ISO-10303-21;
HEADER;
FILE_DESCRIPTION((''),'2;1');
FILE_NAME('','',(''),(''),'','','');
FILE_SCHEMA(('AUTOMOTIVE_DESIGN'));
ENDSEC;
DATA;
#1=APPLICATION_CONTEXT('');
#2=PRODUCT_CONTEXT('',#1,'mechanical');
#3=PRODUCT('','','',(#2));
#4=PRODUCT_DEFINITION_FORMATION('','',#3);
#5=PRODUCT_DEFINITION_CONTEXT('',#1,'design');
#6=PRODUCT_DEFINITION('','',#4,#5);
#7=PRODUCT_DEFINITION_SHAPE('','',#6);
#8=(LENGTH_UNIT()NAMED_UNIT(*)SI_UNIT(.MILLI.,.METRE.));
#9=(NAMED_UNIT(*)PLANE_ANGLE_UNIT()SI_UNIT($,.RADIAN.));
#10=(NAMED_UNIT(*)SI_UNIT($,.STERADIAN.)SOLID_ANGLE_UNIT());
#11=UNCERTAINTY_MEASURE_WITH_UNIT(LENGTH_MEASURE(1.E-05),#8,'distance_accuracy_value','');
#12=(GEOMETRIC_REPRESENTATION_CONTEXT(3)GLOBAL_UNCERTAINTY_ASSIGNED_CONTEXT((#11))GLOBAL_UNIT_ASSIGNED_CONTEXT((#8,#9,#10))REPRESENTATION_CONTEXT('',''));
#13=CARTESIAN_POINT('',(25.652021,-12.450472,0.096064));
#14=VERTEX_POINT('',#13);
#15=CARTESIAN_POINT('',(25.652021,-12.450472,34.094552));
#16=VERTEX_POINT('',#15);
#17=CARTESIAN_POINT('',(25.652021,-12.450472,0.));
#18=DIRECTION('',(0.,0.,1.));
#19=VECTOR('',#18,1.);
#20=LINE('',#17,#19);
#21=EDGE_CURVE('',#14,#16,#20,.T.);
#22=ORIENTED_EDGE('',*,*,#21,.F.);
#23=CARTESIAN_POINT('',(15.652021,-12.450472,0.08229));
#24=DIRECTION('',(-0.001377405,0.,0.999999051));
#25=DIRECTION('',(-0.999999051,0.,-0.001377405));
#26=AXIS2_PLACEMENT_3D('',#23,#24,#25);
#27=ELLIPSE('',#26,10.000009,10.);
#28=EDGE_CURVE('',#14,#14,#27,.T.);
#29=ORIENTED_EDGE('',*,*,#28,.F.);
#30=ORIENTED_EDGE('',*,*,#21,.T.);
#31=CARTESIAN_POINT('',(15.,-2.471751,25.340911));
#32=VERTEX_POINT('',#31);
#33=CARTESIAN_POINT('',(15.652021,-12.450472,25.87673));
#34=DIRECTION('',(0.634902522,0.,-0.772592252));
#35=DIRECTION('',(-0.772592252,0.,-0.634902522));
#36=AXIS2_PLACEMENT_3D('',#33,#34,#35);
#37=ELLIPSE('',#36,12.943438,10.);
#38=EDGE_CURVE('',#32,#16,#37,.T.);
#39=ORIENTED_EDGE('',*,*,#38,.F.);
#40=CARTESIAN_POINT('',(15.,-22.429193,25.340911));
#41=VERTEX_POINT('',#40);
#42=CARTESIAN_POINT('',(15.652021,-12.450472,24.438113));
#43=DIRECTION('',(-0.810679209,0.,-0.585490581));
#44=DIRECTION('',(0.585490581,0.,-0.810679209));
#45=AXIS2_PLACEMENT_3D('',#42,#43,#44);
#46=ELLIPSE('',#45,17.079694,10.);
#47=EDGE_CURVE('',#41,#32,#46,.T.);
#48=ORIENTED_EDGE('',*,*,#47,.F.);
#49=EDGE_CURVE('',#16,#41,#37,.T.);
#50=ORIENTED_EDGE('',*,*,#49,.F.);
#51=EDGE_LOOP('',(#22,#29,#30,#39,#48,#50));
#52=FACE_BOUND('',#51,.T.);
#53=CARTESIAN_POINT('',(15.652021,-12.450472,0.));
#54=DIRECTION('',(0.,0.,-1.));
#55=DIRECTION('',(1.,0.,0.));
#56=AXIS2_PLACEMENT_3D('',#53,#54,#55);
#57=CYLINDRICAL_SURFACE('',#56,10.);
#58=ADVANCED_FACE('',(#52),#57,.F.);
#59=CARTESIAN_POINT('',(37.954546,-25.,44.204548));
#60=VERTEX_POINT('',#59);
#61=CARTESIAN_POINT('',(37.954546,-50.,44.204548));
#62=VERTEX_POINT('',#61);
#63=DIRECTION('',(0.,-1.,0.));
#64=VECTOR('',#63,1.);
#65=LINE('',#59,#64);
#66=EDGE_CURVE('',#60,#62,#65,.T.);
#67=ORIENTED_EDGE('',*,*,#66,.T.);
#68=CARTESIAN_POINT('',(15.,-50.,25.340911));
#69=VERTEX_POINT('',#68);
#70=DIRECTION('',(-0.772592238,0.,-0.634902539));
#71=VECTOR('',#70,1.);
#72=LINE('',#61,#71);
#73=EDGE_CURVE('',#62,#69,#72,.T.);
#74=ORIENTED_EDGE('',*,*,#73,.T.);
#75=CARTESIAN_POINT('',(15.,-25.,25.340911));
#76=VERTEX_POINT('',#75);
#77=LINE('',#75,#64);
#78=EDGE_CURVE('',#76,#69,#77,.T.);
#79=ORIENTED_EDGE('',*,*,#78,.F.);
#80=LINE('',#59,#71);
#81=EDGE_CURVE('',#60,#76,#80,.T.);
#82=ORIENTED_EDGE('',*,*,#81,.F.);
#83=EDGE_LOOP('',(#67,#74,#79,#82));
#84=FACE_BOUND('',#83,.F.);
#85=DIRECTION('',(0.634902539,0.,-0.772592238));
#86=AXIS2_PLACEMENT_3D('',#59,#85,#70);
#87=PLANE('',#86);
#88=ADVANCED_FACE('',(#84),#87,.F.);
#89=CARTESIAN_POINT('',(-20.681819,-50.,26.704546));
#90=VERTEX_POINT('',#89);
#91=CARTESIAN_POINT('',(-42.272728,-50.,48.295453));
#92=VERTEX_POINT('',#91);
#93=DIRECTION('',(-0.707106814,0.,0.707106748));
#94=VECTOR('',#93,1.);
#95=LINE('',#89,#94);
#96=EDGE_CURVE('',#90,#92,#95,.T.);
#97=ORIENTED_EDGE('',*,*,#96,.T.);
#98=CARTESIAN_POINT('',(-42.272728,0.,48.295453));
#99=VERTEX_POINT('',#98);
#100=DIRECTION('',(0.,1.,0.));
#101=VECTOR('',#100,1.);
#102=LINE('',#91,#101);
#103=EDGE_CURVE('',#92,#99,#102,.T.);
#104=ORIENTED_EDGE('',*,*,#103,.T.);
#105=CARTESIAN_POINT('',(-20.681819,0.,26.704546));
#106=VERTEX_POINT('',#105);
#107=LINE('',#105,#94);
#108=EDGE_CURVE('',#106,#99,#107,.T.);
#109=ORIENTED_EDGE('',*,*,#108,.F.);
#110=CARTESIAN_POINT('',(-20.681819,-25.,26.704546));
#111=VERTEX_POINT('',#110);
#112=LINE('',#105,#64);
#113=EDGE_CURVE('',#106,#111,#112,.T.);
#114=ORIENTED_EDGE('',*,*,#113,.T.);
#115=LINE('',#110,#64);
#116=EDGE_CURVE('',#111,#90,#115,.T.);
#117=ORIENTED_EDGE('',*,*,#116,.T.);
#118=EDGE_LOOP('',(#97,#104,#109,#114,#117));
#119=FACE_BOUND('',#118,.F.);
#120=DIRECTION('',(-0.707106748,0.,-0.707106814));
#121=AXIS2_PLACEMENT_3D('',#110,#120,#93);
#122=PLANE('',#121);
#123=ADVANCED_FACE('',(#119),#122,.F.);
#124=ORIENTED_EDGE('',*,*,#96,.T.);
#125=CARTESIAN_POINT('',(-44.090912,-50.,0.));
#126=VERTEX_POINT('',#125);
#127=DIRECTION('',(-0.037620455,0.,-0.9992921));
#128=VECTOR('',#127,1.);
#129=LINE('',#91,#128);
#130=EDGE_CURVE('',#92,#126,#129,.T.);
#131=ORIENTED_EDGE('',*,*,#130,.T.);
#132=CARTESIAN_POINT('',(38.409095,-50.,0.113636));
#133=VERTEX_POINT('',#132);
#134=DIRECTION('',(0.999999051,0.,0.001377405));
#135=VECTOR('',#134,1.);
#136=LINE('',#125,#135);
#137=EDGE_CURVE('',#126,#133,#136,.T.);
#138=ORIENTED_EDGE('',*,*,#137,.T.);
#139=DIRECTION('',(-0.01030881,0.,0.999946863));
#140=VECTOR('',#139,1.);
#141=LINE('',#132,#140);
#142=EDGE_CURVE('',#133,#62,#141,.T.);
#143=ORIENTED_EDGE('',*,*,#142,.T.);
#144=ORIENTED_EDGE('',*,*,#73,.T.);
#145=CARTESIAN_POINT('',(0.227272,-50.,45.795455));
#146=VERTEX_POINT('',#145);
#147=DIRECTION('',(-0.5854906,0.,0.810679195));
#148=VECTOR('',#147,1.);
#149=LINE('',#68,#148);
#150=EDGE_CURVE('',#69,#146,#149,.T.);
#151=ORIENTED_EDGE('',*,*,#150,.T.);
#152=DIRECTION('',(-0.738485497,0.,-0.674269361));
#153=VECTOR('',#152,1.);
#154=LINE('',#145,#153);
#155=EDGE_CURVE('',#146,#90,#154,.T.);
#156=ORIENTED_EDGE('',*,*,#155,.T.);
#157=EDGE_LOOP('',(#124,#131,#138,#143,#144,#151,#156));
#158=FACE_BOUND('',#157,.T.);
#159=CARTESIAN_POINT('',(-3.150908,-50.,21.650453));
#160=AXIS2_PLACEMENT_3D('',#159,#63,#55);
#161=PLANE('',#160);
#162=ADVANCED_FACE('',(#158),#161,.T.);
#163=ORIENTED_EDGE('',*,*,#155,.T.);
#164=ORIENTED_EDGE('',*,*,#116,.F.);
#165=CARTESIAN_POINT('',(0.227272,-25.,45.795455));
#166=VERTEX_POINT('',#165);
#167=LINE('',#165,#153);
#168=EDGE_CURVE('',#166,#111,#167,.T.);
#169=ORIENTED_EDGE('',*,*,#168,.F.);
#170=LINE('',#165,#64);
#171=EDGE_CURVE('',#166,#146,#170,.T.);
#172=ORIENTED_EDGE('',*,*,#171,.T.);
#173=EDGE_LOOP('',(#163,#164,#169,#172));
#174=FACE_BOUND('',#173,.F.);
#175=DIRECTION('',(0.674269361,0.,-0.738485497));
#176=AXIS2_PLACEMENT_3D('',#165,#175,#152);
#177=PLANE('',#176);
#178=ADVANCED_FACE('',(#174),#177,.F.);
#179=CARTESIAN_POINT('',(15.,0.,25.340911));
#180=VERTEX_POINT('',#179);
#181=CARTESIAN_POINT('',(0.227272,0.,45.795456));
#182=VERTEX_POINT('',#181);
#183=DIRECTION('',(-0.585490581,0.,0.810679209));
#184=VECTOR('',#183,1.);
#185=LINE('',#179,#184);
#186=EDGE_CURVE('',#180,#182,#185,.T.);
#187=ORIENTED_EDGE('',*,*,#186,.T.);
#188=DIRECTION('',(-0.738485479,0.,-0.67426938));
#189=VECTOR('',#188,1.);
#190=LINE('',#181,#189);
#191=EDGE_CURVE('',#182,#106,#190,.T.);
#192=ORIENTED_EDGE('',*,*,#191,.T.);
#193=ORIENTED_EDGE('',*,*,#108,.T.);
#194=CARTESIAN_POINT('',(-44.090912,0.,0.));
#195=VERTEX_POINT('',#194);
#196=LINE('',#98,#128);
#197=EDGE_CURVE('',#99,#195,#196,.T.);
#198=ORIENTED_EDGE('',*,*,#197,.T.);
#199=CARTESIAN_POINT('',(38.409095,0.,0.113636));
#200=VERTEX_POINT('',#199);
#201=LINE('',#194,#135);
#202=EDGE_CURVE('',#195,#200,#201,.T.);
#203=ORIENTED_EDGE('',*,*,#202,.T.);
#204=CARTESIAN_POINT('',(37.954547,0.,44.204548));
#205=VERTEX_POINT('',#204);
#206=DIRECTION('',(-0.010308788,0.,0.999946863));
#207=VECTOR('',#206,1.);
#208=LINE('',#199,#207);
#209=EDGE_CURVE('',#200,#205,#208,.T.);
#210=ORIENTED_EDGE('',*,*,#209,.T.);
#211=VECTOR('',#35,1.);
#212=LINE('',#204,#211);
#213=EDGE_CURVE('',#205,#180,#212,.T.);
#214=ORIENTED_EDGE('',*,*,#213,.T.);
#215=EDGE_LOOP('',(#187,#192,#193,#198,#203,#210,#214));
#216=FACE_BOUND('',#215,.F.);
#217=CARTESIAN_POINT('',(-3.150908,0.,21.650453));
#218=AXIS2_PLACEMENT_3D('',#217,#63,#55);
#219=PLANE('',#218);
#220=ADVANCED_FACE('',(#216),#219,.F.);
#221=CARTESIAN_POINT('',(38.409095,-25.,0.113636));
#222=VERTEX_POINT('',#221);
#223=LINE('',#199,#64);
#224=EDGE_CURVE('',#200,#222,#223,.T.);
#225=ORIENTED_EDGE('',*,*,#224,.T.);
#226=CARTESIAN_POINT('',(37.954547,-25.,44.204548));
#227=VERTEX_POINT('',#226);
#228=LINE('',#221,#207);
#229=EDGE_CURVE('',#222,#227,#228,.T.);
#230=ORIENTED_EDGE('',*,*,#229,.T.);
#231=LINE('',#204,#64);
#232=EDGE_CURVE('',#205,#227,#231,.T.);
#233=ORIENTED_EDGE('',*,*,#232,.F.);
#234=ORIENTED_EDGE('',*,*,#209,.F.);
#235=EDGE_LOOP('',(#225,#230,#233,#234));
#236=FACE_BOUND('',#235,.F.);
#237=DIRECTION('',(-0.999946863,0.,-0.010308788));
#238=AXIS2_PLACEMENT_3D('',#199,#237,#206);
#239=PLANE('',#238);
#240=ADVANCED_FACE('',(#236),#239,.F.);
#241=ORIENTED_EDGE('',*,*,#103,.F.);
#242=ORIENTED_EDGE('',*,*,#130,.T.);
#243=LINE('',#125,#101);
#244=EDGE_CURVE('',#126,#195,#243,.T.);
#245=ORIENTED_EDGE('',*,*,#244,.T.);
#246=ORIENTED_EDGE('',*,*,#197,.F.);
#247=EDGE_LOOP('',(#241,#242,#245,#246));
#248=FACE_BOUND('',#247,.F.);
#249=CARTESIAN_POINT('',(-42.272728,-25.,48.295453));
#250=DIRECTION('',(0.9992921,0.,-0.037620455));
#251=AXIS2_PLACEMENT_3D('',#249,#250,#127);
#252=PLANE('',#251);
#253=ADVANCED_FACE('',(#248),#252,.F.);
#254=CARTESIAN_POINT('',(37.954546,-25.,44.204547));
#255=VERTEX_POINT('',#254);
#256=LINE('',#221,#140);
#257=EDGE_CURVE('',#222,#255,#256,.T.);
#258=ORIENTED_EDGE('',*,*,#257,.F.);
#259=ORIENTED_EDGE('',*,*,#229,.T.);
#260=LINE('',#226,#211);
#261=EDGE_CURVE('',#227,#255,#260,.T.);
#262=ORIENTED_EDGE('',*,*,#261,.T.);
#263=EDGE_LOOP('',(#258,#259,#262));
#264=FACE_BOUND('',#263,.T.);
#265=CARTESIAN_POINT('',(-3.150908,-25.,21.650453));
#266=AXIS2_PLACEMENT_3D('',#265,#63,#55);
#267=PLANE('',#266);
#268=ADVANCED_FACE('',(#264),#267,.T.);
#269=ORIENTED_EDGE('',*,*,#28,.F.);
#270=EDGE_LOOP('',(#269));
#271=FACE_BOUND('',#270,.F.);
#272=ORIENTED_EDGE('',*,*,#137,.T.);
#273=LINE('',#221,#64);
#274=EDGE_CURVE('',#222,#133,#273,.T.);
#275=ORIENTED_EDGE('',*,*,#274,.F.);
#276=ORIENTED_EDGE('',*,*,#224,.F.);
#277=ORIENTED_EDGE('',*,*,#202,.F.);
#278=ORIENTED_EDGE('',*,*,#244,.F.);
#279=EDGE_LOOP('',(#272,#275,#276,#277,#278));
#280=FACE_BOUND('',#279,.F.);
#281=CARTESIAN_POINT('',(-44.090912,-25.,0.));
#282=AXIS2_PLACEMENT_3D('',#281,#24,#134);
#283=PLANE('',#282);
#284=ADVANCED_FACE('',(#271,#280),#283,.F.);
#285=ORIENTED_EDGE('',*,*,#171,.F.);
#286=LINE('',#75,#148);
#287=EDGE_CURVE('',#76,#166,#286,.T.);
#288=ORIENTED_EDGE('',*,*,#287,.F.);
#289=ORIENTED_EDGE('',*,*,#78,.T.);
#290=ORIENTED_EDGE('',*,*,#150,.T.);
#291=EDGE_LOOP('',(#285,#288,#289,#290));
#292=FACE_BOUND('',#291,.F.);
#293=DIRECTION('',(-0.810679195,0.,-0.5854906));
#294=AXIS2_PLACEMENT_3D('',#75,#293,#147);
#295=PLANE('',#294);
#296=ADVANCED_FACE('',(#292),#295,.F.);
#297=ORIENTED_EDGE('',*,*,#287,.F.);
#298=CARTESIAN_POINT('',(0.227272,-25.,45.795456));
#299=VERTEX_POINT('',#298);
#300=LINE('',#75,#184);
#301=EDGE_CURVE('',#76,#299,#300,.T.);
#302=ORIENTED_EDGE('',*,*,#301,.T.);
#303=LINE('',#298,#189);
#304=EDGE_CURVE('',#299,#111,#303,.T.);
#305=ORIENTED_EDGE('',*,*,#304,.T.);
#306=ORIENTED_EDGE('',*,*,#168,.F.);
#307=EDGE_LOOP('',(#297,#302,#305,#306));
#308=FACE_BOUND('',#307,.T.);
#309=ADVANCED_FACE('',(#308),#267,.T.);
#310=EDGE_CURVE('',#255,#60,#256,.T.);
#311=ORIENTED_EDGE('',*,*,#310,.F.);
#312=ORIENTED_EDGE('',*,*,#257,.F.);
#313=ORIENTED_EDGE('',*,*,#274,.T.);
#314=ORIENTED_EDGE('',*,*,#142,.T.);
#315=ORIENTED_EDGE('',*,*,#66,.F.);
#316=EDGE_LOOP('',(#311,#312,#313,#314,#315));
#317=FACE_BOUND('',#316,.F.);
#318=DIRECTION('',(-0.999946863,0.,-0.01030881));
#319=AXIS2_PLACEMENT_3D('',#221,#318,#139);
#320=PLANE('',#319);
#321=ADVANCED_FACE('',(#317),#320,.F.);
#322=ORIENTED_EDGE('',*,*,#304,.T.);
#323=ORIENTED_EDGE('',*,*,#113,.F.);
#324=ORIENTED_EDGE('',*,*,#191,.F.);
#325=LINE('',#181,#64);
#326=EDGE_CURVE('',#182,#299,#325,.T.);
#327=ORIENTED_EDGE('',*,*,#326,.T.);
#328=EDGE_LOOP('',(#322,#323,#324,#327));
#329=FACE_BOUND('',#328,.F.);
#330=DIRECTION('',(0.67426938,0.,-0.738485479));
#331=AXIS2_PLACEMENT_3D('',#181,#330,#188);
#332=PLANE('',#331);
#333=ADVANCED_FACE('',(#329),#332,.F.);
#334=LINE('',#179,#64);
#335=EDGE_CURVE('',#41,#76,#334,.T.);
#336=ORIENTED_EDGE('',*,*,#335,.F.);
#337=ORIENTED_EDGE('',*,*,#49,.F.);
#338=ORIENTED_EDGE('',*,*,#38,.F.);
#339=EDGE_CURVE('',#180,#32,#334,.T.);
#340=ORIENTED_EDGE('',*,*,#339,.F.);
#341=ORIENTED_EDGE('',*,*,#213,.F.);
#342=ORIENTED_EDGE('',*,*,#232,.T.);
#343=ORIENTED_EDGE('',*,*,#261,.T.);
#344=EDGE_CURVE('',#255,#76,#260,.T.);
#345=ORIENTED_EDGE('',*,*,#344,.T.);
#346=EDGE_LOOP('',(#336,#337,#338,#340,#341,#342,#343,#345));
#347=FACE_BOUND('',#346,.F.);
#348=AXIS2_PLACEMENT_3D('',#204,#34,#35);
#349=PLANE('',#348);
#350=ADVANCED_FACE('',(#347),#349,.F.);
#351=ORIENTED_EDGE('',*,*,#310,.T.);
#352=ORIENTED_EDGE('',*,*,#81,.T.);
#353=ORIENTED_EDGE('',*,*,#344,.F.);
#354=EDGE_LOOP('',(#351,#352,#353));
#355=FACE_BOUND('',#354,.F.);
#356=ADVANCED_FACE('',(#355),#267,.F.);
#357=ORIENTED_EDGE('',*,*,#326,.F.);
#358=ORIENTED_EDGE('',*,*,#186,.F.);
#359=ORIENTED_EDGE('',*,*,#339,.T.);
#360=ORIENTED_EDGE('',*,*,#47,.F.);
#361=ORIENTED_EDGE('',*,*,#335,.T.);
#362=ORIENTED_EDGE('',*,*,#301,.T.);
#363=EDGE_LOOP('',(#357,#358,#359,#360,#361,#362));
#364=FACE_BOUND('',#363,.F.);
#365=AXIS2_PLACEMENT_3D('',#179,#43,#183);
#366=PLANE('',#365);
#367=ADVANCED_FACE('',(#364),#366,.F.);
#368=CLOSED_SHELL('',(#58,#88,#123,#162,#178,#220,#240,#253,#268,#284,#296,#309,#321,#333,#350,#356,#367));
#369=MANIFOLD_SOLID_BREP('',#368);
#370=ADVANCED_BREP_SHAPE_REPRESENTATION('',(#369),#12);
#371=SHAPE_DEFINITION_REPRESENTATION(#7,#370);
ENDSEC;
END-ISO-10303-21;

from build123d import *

# Parameters (mm, degrees)
F1_DEPTH = 25
F2_R     = 10
F3_DEPTH = 48.296453
F4_DEPTH = 25


with BuildPart() as f1:
    # F0 (on Front) → F1 (new body)
    with BuildSketch(Plane.XZ):
        Polygon((-42.272728, 48.295453), (-44.090912, 0), (38.409095, 0.113636), (37.954547, 44.204548), (15, 25.340911), (0.227272, 45.795456), (-20.681819, 26.704546), align=None)
    extrude(amount=F1_DEPTH)

    # F2 (on Top) → F3 (cut, through all)
    with BuildSketch(Plane.XY):
        with Locations((15.652021, -12.450472)):
            Circle(F2_R)
    extrude(amount=F3_DEPTH, mode=Mode.SUBTRACT)

    # F1_face (on face) → F4 (join)
    with BuildSketch(Plane(origin=(-3.176306, -25, 18.476557), x_dir=(1, 0, 0), z_dir=(0, -1, 0))):
        Polygon((41.585401, -18.362921), (41.130852, 25.727991), (18.176306, 6.864354), (3.403578, 27.318898), (-17.505513, 8.227989), (-39.096422, 29.818896), (-40.914606, -18.476557), align=None)
    extrude(amount=F4_DEPTH)


solid = f1.part
